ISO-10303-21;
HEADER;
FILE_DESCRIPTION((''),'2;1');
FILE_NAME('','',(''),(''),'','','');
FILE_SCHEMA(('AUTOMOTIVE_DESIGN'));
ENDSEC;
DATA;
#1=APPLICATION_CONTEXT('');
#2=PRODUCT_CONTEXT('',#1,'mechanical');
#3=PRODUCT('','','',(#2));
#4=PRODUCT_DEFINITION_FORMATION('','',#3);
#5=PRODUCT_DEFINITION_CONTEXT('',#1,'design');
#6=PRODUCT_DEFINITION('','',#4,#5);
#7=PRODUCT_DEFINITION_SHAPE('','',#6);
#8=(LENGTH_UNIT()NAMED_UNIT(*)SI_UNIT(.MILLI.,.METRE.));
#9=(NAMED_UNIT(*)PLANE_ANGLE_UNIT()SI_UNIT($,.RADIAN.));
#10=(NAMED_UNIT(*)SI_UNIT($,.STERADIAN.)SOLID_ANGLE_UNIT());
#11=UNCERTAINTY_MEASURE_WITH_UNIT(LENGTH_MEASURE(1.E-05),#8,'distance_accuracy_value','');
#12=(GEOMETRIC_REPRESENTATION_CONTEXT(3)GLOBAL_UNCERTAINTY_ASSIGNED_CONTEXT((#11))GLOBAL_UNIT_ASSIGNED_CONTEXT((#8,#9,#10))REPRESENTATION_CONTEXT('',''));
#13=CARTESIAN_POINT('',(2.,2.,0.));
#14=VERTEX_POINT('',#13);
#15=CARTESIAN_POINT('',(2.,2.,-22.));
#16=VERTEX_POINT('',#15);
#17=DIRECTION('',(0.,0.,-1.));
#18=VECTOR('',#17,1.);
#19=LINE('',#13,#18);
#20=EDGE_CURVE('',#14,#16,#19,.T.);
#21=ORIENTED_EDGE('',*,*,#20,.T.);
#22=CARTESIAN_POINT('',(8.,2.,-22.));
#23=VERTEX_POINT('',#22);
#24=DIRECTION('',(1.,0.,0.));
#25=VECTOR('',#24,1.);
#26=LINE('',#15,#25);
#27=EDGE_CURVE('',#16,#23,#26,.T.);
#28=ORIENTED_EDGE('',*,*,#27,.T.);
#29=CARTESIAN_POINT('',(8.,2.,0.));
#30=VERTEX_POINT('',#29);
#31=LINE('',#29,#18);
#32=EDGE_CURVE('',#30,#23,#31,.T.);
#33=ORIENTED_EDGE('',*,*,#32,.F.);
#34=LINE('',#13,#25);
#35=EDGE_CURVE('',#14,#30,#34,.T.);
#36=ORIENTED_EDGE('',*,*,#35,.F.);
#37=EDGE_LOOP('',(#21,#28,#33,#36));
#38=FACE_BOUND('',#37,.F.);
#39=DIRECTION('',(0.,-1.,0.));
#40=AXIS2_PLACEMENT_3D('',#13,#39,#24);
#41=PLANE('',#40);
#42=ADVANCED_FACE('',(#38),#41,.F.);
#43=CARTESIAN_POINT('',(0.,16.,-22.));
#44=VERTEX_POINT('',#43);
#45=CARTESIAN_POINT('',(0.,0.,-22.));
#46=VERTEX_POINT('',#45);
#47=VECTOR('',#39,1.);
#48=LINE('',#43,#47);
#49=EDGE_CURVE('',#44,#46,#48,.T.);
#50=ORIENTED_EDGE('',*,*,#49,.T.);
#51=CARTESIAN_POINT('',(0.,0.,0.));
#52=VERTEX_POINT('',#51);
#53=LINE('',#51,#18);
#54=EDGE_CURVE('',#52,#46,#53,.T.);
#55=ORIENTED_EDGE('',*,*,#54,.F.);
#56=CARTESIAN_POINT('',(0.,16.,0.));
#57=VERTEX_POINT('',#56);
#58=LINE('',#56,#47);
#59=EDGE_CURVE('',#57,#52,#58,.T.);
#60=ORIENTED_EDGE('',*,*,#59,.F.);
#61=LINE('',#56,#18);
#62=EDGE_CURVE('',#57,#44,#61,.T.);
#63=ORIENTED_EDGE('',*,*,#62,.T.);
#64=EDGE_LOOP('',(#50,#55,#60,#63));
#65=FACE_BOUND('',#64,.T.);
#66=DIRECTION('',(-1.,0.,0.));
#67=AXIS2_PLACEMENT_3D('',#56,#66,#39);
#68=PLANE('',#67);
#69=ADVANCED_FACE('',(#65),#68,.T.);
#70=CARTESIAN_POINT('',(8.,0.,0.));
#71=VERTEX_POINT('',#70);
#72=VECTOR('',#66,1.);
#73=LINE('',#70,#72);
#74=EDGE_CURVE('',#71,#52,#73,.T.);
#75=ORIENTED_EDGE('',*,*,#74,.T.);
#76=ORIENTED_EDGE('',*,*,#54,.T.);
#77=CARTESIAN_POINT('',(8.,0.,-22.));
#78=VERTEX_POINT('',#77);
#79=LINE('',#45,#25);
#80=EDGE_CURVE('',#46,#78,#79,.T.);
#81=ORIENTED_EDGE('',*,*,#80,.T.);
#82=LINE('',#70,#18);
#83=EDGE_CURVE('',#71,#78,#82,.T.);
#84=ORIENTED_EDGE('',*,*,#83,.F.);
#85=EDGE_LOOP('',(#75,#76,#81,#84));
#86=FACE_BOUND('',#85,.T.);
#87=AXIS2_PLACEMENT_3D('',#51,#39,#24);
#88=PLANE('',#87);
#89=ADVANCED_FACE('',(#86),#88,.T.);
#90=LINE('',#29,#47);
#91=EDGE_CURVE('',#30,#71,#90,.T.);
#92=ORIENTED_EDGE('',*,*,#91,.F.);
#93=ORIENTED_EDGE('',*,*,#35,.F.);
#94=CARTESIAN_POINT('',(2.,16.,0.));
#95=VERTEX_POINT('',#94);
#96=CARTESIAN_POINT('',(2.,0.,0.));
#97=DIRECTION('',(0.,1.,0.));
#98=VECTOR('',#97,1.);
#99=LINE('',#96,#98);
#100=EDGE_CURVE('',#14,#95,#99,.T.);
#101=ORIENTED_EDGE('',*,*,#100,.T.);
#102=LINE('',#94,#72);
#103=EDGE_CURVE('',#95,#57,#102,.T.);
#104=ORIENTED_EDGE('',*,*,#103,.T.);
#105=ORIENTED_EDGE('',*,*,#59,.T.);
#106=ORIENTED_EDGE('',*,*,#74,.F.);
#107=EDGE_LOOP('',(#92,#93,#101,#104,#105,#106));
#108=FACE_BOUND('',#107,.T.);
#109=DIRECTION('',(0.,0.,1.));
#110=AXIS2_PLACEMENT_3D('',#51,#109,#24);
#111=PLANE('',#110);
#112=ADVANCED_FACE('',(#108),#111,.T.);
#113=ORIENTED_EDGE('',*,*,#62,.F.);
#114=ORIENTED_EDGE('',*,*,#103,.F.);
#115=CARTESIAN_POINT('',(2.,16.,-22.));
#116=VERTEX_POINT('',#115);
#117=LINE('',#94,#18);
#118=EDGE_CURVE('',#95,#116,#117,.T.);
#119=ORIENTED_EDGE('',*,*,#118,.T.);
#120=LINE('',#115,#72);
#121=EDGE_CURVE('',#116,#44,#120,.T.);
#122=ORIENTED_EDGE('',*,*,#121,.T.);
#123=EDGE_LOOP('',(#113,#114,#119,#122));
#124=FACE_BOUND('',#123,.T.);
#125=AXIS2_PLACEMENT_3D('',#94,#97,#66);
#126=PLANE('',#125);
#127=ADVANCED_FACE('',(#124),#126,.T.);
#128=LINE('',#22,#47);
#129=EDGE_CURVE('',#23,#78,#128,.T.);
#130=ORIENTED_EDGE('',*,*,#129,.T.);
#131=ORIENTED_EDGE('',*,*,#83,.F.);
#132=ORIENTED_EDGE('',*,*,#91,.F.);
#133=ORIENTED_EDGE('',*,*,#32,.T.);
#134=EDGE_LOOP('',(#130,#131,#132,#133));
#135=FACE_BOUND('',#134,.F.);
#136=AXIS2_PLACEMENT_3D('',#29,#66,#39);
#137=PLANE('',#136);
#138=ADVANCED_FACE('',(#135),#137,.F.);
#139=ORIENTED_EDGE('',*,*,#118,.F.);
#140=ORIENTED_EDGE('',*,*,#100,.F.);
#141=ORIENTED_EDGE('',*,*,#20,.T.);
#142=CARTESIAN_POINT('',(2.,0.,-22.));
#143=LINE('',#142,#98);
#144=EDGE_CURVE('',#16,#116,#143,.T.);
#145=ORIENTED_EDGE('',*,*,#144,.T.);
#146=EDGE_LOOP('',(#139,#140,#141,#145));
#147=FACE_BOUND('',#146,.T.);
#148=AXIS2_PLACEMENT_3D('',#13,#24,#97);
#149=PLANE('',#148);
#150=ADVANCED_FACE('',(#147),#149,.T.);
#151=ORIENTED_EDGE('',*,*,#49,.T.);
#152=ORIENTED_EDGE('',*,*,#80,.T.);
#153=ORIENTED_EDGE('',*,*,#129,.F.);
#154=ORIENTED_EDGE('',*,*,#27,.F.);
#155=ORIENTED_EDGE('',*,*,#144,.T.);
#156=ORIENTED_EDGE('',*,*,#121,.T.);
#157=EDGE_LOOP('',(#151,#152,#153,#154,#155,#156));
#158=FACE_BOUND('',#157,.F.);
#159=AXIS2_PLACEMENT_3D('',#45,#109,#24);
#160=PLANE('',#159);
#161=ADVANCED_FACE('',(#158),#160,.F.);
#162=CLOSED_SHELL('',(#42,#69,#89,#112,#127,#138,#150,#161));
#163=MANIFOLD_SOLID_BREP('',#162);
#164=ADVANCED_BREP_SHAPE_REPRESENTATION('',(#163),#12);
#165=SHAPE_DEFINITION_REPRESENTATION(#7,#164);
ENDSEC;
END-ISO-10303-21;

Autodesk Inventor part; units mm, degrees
ref_plane "YZ Plane" through (0, 0, 0) normal (1, 0, 0) x (0, 1, 0)
ref_plane "XZ Plane" through (0, 0, 0) normal (0, 1, 0) x (-1, 0, 0)
ref_plane "XY Plane" through (0, 0, 0) normal (0, 0, 1) x (1, 0, 0)
sketch "Sketch1" plane through (0, 0, 0) normal (0, 0, 1) x (1, 0, 0)
  line L0 (0, 0) -> (2, 0)
  line L1 (2, 0) -> (2, 16)
  line L2 (2, 16) -> (0, 16)
  line L3 (0, 16) -> (0, 0)
  line L4 (2, 2) -> (8, 2)
  line L5 (8, 2) -> (8, 0)
  line L6 (8, 0) -> (2, 0)
  line L7 (2, 0) -> (2, 2)
  dimension "d0" = 2
  dimension "d1" = 16
  dimension "d2" = 6
extrude "Extrusion1" add sketch "Sketch1" against normal blind 22
properties part number "housing_mate_v03"
